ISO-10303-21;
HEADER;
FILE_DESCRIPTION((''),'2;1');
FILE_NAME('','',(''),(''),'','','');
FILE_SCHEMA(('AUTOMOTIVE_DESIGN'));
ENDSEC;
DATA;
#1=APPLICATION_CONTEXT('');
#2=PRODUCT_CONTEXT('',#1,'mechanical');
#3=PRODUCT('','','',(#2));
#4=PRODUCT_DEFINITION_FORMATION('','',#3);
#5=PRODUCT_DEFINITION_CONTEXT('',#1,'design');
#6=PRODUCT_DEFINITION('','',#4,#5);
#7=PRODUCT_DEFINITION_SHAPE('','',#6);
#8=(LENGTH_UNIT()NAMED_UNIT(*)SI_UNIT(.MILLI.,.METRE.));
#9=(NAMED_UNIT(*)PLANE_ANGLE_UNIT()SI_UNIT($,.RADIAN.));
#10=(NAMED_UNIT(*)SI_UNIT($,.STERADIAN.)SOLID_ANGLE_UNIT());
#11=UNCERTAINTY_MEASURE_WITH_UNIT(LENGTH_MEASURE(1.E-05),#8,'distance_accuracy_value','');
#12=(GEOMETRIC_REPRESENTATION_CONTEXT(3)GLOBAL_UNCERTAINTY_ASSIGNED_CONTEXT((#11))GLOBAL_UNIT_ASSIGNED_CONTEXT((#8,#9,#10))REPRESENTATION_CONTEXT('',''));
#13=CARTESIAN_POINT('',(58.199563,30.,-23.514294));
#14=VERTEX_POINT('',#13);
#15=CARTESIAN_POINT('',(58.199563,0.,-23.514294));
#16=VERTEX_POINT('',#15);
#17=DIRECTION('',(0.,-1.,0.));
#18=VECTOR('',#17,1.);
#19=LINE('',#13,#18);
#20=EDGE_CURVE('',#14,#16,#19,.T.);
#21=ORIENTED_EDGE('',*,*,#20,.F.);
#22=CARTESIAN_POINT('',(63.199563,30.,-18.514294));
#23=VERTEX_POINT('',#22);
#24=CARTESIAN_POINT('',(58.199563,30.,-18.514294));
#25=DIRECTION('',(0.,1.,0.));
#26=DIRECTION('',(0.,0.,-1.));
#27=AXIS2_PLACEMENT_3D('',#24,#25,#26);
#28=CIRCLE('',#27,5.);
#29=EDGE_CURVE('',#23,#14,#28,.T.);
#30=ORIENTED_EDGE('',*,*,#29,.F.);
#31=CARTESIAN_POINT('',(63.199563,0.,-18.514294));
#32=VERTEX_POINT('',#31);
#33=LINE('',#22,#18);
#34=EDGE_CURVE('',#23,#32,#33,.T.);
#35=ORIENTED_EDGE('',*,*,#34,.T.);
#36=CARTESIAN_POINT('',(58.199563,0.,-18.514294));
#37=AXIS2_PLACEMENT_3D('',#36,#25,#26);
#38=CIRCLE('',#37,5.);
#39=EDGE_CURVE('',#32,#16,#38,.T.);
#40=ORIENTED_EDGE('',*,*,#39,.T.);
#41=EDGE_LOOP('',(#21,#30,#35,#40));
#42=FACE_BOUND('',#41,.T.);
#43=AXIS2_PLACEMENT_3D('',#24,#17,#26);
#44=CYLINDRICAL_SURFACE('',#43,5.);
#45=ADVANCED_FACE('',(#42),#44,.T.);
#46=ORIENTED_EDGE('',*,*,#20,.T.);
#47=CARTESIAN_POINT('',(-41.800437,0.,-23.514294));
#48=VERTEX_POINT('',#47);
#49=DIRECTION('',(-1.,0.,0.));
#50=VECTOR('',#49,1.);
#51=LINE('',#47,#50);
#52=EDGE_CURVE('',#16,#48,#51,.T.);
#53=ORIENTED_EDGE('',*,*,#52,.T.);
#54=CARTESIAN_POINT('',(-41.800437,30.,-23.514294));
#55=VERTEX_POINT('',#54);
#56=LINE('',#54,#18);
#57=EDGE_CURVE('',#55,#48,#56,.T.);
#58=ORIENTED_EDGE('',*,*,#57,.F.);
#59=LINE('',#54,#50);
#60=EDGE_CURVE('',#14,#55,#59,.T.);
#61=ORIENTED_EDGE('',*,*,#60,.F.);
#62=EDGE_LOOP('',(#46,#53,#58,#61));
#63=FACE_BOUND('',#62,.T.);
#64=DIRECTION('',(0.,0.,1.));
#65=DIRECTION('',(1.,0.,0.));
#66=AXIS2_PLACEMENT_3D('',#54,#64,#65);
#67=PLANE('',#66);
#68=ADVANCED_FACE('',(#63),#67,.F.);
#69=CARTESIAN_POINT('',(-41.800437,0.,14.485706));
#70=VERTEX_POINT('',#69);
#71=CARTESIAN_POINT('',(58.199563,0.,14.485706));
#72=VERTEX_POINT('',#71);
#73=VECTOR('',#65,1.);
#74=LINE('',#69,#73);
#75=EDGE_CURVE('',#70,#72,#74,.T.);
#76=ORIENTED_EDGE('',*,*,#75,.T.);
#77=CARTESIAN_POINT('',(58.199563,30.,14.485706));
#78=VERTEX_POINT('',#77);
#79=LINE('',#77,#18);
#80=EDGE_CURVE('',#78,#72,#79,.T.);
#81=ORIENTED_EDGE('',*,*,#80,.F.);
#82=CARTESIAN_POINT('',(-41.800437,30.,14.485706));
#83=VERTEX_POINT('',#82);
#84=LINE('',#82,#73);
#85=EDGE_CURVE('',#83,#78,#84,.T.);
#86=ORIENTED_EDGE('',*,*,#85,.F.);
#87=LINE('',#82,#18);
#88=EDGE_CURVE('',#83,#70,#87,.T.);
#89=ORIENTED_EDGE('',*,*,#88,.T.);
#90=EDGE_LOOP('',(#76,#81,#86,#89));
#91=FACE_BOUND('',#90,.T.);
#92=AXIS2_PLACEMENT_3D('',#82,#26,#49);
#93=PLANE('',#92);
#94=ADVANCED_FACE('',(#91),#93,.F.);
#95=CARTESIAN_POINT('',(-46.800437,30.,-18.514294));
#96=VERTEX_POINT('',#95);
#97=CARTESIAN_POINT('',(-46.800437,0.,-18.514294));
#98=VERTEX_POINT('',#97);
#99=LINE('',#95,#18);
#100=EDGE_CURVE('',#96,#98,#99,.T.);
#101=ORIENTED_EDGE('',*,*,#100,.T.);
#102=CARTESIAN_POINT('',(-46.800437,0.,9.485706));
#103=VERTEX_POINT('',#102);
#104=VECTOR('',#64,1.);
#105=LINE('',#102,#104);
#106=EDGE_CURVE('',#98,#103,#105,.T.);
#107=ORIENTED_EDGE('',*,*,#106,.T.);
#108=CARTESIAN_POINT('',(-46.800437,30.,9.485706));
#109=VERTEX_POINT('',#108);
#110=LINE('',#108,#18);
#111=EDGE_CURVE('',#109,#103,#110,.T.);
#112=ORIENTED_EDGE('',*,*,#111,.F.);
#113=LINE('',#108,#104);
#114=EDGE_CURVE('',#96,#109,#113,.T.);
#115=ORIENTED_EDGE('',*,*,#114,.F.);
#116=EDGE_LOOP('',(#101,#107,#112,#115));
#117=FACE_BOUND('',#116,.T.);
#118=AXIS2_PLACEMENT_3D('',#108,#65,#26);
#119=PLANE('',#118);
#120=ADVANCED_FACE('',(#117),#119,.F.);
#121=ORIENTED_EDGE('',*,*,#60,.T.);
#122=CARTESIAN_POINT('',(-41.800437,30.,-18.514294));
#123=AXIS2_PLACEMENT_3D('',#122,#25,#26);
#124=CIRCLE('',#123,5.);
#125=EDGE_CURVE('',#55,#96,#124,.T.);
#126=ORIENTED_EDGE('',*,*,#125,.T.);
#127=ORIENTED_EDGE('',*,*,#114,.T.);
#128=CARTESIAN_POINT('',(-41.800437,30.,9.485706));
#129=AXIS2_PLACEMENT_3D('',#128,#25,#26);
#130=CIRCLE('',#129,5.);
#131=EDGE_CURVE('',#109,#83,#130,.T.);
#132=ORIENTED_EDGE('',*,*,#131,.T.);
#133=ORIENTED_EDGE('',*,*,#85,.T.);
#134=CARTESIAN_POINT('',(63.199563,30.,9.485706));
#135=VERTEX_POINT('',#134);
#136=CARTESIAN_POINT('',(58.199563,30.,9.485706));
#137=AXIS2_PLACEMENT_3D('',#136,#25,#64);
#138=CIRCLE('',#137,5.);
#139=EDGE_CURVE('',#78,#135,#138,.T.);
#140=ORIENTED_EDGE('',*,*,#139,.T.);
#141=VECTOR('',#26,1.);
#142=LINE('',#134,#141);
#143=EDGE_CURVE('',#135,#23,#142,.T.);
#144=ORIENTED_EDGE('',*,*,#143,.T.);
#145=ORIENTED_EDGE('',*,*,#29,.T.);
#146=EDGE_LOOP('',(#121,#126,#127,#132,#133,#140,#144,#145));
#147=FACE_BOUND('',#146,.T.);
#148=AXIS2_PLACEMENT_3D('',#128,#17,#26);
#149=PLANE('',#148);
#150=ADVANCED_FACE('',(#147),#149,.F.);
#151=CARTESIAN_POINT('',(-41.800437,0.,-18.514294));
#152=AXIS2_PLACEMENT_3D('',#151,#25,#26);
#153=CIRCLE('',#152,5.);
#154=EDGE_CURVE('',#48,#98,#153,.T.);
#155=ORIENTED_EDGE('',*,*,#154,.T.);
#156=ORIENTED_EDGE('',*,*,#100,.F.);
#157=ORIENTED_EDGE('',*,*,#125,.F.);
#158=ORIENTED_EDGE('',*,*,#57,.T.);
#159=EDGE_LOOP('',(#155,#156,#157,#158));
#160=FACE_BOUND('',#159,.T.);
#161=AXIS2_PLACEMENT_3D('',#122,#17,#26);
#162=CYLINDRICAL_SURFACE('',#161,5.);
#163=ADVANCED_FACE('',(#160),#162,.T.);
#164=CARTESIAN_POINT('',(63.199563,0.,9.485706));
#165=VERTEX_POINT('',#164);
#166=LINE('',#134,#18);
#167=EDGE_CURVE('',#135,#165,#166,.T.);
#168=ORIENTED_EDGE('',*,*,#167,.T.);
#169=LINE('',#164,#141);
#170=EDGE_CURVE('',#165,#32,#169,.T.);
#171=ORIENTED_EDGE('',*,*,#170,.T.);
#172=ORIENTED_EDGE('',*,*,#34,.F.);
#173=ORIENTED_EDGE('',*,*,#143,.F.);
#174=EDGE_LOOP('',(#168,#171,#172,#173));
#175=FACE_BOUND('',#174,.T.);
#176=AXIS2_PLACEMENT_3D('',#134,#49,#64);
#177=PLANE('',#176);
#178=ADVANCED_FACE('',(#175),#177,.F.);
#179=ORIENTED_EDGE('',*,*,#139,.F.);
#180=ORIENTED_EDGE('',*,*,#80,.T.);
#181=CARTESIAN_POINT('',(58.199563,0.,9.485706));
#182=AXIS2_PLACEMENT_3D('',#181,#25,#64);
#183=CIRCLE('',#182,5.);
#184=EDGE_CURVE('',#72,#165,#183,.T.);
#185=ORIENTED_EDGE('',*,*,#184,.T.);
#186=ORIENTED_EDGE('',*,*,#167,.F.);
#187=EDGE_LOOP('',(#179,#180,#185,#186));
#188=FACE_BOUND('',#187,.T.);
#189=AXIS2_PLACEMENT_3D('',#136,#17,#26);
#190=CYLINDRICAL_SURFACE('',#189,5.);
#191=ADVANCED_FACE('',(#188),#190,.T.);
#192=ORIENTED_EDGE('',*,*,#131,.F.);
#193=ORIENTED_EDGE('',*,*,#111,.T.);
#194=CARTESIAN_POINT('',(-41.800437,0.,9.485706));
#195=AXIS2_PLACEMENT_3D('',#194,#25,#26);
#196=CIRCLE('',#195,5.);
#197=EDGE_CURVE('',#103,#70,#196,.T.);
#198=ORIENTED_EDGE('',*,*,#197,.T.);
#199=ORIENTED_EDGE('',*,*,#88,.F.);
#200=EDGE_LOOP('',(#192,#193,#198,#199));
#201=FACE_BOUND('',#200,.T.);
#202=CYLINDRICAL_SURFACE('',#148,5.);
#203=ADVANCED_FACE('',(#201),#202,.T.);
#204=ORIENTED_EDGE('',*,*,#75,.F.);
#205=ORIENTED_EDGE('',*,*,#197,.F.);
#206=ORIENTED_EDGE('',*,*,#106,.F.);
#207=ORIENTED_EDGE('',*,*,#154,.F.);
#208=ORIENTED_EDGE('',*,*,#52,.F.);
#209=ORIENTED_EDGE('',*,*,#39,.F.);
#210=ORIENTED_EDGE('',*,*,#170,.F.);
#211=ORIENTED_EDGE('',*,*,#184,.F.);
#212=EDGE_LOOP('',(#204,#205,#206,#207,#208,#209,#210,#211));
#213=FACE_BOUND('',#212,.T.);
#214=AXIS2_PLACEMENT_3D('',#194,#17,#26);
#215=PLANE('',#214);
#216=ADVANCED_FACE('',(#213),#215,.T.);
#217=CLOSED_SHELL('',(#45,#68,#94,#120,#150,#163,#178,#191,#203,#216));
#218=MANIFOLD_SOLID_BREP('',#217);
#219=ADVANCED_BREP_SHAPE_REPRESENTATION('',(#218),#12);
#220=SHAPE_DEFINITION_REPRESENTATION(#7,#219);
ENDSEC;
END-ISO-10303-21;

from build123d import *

# Parameters (mm, degrees)
BOSS_EXTRUDE1_DEPTH = 30


with BuildPart() as part:
    # Sketch1 → Boss-Extrude1 (new body)
    with BuildSketch(Plane(origin=(0, 0, 0), x_dir=(1, 0, 0), z_dir=(0, 1, 0))):
        with BuildLine():
            Line((-41.800436576, -14.485705951), (58.199563424, -14.485705951))
            ThreePointArc((58.199563424, -14.485705951), (61.73509733, -13.021239857), (63.199563424, -9.485705951))
            Line((63.199563424, -9.485705951), (63.199563424, 18.514294049))
            ThreePointArc((63.199563424, 18.514294049), (61.73509733, 22.049827955), (58.199563424, 23.514294049))
            Line((58.199563424, 23.514294049), (-41.800436576, 23.514294049))
            ThreePointArc((-41.800436576, 23.514294049), (-45.335970482, 22.049827955), (-46.800436576, 18.514294049))
            Line((-46.800436576, 18.514294049), (-46.800436576, -9.485705951))
            ThreePointArc((-46.800436576, -9.485705951), (-45.335970482, -13.021239857), (-41.800436576, -14.485705951))
        make_face()
    extrude(amount=BOSS_EXTRUDE1_DEPTH)


solid = part.part
